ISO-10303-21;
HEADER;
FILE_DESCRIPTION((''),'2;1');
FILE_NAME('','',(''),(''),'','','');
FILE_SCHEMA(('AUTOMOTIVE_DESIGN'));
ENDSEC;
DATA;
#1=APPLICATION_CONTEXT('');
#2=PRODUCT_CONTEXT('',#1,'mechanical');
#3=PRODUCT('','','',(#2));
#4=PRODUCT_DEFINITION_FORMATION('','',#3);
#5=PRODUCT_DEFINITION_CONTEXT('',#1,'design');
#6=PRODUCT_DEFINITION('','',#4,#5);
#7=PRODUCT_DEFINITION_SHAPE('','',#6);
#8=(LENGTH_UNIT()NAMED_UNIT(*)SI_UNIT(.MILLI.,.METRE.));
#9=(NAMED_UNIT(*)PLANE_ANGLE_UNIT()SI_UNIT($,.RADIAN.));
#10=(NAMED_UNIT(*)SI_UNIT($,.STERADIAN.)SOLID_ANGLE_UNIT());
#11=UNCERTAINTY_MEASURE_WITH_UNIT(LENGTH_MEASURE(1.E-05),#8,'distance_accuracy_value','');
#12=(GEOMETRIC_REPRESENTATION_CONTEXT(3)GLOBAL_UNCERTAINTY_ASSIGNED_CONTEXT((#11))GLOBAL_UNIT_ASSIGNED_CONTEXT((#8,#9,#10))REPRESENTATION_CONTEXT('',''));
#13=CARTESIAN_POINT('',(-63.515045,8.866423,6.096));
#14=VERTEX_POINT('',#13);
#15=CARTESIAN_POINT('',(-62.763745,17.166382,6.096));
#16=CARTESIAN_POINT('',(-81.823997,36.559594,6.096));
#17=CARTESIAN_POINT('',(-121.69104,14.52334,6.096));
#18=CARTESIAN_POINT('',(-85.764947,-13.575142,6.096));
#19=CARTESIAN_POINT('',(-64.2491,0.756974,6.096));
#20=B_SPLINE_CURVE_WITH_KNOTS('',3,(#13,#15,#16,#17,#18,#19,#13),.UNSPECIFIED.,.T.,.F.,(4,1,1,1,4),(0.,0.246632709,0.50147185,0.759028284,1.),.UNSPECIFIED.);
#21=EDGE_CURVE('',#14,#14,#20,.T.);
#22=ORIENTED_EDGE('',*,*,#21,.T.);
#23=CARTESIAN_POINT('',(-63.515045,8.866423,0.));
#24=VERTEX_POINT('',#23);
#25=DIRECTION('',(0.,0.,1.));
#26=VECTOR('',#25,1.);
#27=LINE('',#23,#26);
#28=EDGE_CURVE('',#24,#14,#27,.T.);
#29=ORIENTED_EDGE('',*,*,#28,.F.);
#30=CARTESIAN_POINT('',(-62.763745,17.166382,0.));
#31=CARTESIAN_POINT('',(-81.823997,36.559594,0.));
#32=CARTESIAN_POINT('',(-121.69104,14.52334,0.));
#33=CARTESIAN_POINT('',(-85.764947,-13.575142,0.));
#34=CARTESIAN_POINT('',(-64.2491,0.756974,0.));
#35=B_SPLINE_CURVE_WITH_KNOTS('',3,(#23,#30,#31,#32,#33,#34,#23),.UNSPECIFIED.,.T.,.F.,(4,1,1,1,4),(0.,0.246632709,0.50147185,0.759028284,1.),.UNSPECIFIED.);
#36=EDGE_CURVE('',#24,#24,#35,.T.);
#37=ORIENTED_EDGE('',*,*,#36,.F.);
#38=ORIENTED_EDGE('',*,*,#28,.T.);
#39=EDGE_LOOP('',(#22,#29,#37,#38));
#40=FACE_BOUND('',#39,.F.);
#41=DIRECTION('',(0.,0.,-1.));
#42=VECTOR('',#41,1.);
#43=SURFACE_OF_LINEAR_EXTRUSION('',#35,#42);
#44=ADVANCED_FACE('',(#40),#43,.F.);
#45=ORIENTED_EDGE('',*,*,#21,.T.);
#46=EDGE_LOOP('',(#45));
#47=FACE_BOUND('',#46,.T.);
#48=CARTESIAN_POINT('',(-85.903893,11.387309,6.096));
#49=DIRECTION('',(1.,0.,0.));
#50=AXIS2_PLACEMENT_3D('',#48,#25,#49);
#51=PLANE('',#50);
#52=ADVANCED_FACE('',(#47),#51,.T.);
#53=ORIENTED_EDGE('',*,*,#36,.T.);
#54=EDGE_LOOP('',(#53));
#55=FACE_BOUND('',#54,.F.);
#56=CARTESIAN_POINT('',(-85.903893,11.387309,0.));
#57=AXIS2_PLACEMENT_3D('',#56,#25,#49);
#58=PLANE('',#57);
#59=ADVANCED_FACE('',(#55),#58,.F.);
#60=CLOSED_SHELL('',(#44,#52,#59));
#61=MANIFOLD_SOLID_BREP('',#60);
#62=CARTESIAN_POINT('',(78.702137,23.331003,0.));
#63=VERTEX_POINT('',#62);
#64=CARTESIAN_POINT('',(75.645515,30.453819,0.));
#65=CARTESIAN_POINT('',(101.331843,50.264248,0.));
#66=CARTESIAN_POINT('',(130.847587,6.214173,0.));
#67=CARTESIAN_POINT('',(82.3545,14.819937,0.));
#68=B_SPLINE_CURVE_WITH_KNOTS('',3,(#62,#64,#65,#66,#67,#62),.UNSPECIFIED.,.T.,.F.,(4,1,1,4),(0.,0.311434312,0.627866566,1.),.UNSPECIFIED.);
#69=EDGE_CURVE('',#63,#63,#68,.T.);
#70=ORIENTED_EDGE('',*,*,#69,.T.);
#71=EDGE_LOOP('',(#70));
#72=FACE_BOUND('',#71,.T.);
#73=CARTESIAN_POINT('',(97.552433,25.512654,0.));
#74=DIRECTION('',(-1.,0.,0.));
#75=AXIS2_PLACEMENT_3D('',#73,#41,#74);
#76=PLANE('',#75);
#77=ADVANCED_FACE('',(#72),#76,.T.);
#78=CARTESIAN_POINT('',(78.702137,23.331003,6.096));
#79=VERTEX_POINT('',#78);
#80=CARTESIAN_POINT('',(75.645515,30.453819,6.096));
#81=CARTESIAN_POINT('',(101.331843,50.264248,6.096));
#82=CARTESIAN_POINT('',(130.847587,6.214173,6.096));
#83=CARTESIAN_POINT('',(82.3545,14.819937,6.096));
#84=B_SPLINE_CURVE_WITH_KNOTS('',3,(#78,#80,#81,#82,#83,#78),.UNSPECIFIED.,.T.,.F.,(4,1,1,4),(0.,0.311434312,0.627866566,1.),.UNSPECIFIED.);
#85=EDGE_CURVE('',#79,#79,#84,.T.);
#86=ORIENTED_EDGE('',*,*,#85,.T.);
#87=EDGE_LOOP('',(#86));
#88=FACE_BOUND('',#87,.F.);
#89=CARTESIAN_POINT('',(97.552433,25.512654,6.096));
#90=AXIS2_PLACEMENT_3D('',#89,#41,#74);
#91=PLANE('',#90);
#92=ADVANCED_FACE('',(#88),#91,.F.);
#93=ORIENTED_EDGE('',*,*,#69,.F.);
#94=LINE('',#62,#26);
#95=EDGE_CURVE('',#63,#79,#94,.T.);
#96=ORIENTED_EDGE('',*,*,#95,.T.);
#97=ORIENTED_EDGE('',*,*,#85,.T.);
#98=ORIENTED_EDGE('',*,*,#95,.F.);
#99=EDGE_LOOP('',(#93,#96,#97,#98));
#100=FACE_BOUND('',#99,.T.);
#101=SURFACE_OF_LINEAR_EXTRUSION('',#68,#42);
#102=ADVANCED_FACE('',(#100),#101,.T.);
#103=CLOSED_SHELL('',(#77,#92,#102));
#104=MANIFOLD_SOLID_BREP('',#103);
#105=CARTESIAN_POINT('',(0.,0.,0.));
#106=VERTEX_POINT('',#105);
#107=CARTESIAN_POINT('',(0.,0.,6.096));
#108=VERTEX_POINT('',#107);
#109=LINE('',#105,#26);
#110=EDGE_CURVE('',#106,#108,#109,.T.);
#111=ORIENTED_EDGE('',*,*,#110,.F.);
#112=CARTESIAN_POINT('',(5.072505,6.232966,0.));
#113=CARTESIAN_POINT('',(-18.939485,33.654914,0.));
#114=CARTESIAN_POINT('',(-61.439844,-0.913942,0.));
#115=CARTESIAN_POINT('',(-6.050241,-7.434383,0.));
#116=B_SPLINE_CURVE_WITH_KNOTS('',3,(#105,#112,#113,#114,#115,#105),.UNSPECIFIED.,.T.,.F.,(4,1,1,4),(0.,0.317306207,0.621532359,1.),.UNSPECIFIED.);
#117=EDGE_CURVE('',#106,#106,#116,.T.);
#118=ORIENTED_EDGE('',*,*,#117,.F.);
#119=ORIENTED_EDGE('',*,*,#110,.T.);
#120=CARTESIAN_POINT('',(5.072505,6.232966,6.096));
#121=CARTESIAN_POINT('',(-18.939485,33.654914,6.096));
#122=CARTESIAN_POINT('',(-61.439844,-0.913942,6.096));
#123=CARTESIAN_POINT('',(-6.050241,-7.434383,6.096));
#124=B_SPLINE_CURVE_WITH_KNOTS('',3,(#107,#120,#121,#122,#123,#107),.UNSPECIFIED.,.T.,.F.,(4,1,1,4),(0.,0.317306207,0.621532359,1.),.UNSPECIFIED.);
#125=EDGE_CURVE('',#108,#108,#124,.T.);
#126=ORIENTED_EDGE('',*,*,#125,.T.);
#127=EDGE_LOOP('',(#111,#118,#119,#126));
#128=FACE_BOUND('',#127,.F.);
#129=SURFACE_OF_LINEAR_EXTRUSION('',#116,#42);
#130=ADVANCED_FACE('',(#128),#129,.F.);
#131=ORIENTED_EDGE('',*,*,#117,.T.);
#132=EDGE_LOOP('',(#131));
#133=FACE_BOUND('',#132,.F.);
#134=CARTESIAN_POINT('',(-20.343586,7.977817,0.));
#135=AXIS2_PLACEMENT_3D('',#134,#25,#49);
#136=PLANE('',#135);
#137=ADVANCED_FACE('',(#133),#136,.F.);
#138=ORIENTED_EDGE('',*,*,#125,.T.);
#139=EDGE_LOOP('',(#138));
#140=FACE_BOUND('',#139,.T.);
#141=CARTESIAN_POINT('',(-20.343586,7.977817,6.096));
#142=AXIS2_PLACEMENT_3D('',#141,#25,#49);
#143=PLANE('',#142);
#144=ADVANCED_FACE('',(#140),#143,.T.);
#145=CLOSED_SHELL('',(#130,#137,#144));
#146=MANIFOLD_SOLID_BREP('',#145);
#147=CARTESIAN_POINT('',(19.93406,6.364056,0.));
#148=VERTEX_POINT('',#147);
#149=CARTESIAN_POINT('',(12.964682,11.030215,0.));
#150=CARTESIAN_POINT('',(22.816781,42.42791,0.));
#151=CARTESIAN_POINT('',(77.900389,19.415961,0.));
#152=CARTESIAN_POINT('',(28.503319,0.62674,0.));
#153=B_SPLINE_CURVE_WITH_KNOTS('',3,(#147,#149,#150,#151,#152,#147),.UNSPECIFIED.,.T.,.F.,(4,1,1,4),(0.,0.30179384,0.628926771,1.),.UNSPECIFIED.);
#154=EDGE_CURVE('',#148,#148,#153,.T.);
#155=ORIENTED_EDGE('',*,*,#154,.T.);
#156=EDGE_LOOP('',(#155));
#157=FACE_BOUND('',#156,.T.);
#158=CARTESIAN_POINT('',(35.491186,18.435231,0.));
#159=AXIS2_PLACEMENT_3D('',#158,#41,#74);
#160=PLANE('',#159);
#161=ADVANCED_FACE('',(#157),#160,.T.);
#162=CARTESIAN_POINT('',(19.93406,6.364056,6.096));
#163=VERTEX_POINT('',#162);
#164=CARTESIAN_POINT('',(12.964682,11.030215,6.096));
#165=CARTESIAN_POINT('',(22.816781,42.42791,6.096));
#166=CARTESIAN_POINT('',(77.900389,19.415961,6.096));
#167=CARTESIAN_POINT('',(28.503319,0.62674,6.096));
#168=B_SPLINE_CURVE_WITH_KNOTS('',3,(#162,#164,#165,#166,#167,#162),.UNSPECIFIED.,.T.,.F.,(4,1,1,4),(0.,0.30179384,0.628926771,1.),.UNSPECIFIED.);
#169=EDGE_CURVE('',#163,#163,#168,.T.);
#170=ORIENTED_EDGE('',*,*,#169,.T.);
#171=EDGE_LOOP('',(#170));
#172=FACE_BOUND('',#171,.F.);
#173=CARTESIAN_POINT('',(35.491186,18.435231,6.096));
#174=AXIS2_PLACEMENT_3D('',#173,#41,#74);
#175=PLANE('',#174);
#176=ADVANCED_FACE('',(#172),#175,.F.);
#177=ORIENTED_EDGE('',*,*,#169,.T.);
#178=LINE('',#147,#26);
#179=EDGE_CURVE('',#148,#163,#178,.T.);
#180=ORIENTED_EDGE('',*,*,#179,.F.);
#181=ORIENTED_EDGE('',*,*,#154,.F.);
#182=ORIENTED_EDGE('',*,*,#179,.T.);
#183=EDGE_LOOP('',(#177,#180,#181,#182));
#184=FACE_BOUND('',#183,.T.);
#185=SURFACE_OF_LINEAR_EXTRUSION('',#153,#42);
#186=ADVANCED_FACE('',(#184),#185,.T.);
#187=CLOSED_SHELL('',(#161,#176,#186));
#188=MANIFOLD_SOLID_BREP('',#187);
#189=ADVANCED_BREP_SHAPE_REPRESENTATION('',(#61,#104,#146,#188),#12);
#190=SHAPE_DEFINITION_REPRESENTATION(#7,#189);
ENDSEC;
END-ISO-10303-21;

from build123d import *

# Parameters (mm, degrees)
F1_DEPTH = 6.096


with BuildPart() as f1:
    # F0 (on Top) → F1 (new body)
    with BuildSketch(Plane.XY):
        with BuildLine():
            add(Edge.make_bspline(
                [(0, 0), (5.0725048914, 6.2329660703), (-18.9394847967, 33.6549142678), (-61.4398442974, -0.9139423435), (-6.0502408025, -7.4343832972), (0, 0)],
                knots=[0, 0, 0, 0, 0.3173062066, 0.6215323595, 1, 1, 1, 1], degree=3))
        make_face()
    extrude(amount=F1_DEPTH)


with BuildPart() as f1b:
    # F0 (on Top) → F1, piece 2 (new body)
    with BuildSketch(Plane.XY):
        with BuildLine():
            add(Edge.make_bspline(
                [(19.934060052, 6.3640559092), (12.964682373, 11.0302150345), (22.816780856, 42.4279097366), (77.9003890705, 19.4159609589), (28.5033187226, 0.6267395542), (19.934060052, 6.3640559092)],
                knots=[0, 0, 0, 0, 0.3017938399, 0.628926771, 1, 1, 1, 1], degree=3))
        make_face()
    extrude(amount=F1_DEPTH)


with BuildPart() as f1c:
    # F0 (on Top) → F1, piece 3 (new body)
    with BuildSketch(Plane.XY):
        with BuildLine():
            add(Edge.make_bspline(
                [(-63.5150447488, 8.8664228097), (-62.7637448396, 17.1663818459), (-81.8239965362, 36.5595942754), (-121.691040129, 14.5233398555), (-85.7649467191, -13.5751417309), (-64.2490999737, 0.7569738091), (-63.5150447488, 8.8664228097)],
                knots=[0, 0, 0, 0, 0.246632709, 0.5014718496, 0.7590282836, 1, 1, 1, 1], degree=3))
        make_face()
    extrude(amount=F1_DEPTH)


with BuildPart() as f1d:
    # F0 (on Top) → F1, piece 4 (new body)
    with BuildSketch(Plane.XY):
        with BuildLine():
            add(Edge.make_bspline(
                [(78.7021368742, 23.3310032636), (75.6455150341, 30.4538192109), (101.331842803, 50.2642483167), (130.8475874616, 6.2141733545), (82.3544999499, 14.8199373477), (78.7021368742, 23.3310032636)],
                knots=[0, 0, 0, 0, 0.311434312, 0.627866566, 1, 1, 1, 1], degree=3))
        make_face()
    extrude(amount=F1_DEPTH)


solid = Compound([f1.part, f1b.part, f1c.part, f1d.part])
